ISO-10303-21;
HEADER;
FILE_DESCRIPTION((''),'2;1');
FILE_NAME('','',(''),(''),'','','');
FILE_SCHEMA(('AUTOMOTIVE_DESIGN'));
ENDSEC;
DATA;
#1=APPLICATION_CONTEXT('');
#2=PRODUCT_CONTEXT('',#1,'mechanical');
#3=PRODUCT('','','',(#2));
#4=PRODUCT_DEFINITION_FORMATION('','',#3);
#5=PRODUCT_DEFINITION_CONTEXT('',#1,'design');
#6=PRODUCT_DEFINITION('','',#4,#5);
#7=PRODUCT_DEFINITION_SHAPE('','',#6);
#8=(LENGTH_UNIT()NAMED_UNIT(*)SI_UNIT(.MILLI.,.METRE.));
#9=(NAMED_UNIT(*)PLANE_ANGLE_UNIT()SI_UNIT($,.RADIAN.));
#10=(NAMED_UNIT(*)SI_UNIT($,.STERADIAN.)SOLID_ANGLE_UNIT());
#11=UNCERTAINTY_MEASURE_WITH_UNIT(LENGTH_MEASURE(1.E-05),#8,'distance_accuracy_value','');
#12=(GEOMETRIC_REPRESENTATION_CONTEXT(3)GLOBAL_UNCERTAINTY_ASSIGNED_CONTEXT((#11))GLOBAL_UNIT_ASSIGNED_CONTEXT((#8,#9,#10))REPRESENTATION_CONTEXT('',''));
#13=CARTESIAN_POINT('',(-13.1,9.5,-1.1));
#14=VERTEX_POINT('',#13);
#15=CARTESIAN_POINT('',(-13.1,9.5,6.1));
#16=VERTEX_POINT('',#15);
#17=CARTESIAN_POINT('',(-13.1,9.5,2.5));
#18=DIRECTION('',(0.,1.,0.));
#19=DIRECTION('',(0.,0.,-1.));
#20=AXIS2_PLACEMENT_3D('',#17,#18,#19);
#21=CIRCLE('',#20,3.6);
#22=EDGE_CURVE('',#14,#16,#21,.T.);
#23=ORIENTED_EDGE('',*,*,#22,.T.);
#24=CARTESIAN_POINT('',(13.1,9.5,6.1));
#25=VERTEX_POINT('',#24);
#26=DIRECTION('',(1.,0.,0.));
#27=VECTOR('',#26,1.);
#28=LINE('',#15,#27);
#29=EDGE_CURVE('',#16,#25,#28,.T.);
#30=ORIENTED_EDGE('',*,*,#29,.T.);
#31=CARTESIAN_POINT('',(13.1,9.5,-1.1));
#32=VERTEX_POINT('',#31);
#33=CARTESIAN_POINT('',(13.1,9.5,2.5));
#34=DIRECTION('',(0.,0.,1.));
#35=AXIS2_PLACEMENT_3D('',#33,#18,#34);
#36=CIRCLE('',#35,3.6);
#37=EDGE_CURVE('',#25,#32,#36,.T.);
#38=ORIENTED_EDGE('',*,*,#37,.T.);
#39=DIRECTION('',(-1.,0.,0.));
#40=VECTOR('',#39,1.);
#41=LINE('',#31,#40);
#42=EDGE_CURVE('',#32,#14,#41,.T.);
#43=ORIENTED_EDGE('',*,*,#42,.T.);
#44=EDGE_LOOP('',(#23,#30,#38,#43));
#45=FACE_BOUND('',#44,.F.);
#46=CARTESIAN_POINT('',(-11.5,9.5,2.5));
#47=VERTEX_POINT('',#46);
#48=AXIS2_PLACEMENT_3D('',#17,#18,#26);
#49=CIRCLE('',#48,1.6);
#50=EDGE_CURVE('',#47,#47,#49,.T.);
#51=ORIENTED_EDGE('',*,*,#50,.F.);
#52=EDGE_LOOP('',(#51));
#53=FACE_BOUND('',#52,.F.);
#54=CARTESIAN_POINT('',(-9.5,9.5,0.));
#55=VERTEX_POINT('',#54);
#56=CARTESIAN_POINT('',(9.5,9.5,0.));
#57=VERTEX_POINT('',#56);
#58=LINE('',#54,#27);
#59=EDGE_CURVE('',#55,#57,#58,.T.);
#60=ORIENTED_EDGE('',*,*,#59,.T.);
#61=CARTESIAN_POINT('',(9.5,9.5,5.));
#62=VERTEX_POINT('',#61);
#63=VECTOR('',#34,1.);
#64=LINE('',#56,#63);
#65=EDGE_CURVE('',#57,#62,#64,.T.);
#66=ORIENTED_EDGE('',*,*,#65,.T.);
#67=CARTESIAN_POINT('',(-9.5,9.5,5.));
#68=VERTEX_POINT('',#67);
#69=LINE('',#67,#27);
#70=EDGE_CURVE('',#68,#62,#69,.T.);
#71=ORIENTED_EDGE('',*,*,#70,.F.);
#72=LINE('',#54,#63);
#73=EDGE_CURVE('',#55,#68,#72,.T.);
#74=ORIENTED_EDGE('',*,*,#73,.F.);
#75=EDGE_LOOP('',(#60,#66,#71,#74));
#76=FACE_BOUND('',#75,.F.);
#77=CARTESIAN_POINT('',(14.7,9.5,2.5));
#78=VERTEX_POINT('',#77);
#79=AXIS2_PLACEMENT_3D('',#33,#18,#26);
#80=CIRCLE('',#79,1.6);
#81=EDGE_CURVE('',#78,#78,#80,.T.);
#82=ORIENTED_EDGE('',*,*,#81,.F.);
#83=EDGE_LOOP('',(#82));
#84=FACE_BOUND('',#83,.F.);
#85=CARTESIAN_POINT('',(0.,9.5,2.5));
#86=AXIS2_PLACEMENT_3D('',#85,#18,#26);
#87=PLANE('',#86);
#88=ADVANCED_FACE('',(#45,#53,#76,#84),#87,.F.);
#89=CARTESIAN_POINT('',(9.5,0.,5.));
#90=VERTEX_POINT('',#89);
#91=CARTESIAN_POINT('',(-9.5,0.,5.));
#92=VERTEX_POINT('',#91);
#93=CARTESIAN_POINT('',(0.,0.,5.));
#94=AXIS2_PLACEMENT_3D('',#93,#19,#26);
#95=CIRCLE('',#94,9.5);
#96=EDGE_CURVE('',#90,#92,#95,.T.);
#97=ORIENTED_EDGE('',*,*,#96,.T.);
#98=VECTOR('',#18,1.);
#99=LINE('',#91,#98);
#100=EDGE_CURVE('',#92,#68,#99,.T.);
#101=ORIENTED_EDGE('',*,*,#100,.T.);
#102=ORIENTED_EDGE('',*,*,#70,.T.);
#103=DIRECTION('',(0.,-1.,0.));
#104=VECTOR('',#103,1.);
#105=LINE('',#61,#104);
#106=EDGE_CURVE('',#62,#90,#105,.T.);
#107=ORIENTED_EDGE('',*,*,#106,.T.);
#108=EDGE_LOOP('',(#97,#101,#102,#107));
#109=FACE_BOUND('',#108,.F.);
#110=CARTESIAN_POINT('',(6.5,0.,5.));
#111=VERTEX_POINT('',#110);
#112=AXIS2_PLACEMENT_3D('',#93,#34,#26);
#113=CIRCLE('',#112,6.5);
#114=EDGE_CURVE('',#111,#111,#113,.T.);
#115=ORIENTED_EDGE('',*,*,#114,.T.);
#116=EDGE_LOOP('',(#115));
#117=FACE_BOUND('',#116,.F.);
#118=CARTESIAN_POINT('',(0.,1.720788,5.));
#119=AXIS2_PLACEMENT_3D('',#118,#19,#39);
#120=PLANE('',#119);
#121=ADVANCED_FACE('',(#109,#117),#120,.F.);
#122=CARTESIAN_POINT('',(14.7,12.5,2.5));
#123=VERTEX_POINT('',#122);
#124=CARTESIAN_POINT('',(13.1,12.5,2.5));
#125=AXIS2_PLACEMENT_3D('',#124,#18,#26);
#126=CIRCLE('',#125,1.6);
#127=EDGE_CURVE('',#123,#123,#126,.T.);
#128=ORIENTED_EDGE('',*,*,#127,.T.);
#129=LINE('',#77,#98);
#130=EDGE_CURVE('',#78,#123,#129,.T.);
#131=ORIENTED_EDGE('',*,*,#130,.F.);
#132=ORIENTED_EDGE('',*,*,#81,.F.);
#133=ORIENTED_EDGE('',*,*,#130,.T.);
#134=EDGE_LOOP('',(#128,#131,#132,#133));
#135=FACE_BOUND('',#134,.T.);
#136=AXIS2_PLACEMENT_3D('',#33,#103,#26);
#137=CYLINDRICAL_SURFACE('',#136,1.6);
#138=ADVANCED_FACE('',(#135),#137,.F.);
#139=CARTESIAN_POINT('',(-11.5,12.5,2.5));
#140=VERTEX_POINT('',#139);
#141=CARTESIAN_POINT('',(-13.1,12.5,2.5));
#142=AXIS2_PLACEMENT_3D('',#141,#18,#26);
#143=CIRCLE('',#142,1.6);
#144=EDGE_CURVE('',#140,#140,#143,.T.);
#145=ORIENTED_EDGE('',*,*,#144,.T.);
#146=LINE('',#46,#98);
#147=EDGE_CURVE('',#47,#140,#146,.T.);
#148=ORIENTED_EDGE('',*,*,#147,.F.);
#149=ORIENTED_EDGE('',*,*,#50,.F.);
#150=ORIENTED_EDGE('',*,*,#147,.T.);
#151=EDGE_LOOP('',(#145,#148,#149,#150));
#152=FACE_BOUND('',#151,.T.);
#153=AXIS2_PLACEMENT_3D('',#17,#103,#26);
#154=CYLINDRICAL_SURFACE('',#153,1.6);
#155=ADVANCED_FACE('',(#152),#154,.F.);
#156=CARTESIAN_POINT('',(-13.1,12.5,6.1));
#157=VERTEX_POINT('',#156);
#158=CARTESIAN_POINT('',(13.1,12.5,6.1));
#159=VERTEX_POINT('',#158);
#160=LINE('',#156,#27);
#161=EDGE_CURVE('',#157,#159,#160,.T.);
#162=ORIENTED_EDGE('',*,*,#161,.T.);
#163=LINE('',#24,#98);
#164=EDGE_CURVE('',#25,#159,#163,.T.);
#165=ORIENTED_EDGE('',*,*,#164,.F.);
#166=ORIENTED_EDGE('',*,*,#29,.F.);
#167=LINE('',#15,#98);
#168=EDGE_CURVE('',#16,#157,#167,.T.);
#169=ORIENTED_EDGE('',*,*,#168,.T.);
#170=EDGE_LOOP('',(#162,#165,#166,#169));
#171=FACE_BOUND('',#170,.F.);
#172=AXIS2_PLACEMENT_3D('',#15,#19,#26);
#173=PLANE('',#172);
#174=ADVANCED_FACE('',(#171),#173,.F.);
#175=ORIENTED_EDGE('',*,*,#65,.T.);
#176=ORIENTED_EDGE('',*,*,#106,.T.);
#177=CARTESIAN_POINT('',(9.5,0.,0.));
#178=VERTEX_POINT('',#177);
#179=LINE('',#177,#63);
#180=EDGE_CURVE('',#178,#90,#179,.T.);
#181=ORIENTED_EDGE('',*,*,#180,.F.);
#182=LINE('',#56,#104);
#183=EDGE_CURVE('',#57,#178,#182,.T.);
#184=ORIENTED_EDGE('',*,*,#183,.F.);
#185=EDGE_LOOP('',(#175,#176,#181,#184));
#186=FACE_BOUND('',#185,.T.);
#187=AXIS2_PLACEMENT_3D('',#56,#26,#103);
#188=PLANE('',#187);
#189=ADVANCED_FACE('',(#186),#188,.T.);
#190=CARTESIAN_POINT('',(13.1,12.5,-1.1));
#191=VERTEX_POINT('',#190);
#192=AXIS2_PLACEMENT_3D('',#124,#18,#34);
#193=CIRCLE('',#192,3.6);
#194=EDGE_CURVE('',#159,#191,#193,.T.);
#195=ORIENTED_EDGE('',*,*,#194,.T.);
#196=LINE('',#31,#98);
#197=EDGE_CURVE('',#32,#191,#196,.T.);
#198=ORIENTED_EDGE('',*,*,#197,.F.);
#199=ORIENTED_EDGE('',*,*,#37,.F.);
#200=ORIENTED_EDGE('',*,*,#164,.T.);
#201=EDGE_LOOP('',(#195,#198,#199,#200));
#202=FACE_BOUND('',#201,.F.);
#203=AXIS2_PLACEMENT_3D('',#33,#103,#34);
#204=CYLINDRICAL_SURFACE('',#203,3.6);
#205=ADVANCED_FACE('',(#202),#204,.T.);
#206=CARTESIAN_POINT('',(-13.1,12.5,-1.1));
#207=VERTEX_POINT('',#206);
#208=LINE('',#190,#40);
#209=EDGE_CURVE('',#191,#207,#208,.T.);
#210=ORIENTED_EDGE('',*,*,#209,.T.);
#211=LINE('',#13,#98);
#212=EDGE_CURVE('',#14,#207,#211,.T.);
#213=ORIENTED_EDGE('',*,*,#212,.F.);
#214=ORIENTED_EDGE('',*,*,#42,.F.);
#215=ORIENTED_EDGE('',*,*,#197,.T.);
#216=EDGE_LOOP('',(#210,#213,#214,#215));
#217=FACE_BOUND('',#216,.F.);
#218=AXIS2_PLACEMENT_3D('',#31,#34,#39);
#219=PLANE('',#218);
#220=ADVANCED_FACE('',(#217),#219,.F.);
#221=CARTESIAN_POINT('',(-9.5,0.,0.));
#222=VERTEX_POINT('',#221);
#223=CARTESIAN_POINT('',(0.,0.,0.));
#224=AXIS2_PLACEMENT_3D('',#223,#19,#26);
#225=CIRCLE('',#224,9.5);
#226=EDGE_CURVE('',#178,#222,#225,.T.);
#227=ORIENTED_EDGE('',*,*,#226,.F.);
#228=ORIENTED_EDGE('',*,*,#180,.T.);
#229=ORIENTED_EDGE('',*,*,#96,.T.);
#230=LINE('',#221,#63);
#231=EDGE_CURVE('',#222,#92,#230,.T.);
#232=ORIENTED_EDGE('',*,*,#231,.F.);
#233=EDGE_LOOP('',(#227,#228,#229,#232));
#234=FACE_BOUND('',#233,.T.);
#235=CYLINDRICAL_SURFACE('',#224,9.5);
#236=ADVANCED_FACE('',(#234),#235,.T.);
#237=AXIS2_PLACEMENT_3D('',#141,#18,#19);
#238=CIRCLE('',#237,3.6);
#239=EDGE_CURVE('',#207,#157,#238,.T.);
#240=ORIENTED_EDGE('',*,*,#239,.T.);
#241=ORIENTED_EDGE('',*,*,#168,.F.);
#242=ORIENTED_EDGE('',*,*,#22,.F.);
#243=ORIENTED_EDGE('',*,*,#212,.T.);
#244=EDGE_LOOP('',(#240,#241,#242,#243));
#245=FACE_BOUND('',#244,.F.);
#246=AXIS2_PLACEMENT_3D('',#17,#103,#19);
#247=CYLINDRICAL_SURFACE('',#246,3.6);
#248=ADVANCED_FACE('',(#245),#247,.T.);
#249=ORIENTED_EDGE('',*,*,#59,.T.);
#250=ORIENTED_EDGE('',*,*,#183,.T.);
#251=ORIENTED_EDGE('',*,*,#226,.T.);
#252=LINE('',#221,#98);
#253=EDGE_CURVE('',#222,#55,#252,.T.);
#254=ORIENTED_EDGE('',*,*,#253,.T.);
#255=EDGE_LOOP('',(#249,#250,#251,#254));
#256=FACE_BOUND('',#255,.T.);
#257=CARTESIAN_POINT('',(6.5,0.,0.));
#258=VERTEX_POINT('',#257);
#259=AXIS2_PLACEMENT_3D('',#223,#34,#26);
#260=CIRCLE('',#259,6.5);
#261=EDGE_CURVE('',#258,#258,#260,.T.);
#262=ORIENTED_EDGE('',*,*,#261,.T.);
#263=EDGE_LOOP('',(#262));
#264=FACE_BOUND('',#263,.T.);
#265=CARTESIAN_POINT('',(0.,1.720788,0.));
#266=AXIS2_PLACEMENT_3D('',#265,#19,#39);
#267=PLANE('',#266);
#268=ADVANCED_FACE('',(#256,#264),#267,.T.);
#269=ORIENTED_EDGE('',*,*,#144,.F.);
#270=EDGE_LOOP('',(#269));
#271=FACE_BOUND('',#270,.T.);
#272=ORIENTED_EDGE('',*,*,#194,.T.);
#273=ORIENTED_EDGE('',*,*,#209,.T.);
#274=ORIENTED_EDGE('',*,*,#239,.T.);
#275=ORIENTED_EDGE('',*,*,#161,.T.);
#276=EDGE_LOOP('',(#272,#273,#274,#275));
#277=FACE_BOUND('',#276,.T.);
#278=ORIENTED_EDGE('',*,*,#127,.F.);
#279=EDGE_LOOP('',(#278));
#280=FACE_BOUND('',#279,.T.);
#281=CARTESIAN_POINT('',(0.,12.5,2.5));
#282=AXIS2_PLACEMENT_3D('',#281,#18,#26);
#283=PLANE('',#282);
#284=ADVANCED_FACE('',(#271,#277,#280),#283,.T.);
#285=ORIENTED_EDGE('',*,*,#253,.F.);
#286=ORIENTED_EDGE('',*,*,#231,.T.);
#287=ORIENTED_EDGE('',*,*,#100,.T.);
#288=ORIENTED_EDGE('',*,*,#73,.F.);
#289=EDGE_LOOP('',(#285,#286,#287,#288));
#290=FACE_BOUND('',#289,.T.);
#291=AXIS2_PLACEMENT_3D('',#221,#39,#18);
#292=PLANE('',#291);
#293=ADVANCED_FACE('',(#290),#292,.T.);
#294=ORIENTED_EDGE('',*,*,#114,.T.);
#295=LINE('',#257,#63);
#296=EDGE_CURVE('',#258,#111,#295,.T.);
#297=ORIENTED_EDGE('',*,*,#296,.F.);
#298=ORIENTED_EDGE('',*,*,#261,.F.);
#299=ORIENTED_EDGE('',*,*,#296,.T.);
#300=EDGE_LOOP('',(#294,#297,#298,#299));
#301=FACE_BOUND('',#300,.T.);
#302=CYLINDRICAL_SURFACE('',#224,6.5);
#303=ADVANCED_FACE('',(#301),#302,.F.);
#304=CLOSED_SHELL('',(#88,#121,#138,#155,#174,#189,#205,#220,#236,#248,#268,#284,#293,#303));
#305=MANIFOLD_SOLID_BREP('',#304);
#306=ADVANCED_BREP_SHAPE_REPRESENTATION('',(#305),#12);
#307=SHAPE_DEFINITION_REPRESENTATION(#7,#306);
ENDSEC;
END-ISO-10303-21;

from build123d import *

# Parameters (mm, degrees)
SKETCH1_R           = 6.5
BOSS_EXTRUDE1_DEPTH = 5
SKETCH2_R           = 1.6
BOSS_EXTRUDE2_DEPTH = 3


with BuildPart() as part:
    # Sketch1 → Boss-Extrude1 (new body)
    with BuildSketch(Plane.XY):
        with BuildLine():
            Line((-9.5, 0), (-9.5, 9.5))
            Line((-9.5, 9.5), (9.5, 9.5))
            Line((9.5, 9.5), (9.5, 0))
            ThreePointArc((9.5, 0), (0, -9.5), (-9.5, 0))
        make_face()
        Circle(SKETCH1_R, mode=Mode.SUBTRACT)
    extrude(amount=BOSS_EXTRUDE1_DEPTH)

    # Sketch2 → Boss-Extrude2 (add)
    with BuildSketch(Plane(origin=(0, 9.5, 0), x_dir=(1, 0, 0), z_dir=(0, 1, 0))):
        with BuildLine():
            Line((13.1, 1.1), (-13.1, 1.1))
            ThreePointArc((-13.1, 1.1), (-16.7, -2.5), (-13.1, -6.1))
            Line((-13.1, -6.1), (13.1, -6.1))
            ThreePointArc((13.1, -6.1), (16.7, -2.5), (13.1, 1.1))
        make_face()
        with Locations((-13.1, -2.5)):
            Circle(SKETCH2_R, mode=Mode.SUBTRACT)
        with Locations((13.1, -2.5)):
            Circle(SKETCH2_R, mode=Mode.SUBTRACT)
    extrude(amount=BOSS_EXTRUDE2_DEPTH)


solid = part.part
